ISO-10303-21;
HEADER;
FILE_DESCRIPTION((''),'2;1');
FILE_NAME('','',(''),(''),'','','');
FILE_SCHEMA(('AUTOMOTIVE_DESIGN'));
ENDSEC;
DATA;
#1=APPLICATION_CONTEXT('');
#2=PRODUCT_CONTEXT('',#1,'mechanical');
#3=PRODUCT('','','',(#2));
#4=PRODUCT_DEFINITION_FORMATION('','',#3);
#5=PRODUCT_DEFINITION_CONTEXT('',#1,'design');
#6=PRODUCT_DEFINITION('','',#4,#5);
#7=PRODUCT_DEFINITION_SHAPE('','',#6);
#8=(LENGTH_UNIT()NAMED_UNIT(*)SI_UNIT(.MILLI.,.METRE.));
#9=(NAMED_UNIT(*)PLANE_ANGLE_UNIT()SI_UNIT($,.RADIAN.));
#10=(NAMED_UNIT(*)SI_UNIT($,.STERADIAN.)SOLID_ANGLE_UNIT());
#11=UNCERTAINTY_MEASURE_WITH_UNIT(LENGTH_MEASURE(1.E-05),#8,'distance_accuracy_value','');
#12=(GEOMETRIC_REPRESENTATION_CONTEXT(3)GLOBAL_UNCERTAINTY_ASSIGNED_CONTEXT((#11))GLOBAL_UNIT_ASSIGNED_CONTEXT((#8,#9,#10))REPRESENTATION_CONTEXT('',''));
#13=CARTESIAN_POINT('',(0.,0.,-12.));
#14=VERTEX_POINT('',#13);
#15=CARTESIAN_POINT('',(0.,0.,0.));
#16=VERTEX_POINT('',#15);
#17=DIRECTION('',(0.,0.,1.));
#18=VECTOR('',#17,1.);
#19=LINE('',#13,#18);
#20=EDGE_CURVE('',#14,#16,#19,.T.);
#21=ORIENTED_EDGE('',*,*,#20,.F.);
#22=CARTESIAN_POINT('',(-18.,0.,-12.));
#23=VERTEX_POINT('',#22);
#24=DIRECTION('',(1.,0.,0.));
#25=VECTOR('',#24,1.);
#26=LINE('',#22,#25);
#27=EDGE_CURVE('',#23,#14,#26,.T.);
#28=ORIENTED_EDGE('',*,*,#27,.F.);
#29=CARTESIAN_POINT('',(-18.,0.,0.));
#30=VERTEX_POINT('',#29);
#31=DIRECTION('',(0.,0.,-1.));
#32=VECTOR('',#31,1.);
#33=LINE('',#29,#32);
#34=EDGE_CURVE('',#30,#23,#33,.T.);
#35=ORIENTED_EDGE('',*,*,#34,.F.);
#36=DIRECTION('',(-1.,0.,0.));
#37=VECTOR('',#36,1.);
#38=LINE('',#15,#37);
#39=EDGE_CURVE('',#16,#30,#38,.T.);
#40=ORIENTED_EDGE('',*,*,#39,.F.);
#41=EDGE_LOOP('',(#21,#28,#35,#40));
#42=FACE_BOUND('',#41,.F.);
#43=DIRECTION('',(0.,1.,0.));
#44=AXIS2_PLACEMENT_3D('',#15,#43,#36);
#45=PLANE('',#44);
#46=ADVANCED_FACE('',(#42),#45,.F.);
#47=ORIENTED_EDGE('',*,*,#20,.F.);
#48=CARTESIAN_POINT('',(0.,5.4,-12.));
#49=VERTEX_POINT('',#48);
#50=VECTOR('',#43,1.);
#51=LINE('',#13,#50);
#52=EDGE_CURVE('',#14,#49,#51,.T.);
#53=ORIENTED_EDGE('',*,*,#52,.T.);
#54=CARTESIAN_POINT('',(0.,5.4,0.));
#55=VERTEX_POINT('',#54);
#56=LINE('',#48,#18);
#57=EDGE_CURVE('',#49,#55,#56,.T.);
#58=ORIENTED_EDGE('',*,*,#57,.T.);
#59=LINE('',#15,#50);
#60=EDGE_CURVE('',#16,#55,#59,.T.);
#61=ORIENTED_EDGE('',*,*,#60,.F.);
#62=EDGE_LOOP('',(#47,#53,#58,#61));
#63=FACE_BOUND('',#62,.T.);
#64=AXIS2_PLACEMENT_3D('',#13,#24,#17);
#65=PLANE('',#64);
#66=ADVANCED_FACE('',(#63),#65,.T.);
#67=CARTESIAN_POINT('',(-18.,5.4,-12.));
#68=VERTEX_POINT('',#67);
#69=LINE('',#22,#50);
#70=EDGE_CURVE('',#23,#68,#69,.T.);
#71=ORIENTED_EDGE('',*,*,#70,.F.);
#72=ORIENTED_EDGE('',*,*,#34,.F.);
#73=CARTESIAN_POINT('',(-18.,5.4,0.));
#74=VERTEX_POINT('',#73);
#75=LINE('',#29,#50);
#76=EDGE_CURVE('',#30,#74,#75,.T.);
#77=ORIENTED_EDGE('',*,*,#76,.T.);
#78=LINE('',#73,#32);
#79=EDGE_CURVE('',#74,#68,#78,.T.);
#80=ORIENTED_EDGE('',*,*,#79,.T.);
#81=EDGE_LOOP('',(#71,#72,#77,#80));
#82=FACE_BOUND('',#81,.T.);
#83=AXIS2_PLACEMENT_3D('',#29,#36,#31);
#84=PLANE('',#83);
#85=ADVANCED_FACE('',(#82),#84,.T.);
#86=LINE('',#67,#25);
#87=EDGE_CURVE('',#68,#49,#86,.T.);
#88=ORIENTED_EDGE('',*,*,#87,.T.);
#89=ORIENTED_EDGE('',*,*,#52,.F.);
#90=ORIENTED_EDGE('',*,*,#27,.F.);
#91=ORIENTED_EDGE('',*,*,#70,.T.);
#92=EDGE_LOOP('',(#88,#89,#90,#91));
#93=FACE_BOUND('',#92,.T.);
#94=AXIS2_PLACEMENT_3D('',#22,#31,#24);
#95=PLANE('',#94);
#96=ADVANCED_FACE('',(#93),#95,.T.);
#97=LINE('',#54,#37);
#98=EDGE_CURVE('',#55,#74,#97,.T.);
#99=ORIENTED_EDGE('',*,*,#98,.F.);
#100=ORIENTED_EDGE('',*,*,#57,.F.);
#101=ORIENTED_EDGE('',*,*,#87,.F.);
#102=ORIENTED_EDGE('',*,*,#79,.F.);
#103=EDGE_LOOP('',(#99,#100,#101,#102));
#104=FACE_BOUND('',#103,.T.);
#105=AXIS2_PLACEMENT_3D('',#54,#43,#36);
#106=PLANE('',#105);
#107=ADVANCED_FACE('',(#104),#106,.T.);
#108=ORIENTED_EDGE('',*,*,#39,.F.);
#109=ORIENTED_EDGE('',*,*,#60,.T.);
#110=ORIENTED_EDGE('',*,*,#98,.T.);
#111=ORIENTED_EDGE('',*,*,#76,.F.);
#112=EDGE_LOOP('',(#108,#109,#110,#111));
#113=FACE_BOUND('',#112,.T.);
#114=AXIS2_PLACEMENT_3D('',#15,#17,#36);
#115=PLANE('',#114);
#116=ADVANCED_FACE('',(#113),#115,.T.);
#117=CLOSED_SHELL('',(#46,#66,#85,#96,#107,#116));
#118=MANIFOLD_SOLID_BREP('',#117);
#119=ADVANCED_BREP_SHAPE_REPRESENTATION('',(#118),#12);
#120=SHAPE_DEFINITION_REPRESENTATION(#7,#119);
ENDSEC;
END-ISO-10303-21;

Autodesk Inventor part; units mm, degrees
ref_plane "YZ Plane" through (0, 0, 0) normal (1, 0, 0) x (0, 1, 0)
ref_plane "XZ Plane" through (0, 0, 0) normal (0, 1, 0) x (-1, 0, 0)
ref_plane "XY Plane" through (0, 0, 0) normal (0, 0, 1) x (1, 0, 0)
sketch "Sketch1" plane through (0, 0, 0) normal (0, 1, 0) x (-1, 0, 0)
  line L0 (0, 0) -> (18, 0)
  line L1 (18, 0) -> (18, -12)
  line L2 (18, -12) -> (0, -12)
  line L3 (0, -12) -> (0, 0)
  dimension "d0" = 18
  dimension "d1" = 12
extrude "Extrusion1" add sketch "Sketch1" along normal blind 5.4
properties part number "shim_5.5mm"
